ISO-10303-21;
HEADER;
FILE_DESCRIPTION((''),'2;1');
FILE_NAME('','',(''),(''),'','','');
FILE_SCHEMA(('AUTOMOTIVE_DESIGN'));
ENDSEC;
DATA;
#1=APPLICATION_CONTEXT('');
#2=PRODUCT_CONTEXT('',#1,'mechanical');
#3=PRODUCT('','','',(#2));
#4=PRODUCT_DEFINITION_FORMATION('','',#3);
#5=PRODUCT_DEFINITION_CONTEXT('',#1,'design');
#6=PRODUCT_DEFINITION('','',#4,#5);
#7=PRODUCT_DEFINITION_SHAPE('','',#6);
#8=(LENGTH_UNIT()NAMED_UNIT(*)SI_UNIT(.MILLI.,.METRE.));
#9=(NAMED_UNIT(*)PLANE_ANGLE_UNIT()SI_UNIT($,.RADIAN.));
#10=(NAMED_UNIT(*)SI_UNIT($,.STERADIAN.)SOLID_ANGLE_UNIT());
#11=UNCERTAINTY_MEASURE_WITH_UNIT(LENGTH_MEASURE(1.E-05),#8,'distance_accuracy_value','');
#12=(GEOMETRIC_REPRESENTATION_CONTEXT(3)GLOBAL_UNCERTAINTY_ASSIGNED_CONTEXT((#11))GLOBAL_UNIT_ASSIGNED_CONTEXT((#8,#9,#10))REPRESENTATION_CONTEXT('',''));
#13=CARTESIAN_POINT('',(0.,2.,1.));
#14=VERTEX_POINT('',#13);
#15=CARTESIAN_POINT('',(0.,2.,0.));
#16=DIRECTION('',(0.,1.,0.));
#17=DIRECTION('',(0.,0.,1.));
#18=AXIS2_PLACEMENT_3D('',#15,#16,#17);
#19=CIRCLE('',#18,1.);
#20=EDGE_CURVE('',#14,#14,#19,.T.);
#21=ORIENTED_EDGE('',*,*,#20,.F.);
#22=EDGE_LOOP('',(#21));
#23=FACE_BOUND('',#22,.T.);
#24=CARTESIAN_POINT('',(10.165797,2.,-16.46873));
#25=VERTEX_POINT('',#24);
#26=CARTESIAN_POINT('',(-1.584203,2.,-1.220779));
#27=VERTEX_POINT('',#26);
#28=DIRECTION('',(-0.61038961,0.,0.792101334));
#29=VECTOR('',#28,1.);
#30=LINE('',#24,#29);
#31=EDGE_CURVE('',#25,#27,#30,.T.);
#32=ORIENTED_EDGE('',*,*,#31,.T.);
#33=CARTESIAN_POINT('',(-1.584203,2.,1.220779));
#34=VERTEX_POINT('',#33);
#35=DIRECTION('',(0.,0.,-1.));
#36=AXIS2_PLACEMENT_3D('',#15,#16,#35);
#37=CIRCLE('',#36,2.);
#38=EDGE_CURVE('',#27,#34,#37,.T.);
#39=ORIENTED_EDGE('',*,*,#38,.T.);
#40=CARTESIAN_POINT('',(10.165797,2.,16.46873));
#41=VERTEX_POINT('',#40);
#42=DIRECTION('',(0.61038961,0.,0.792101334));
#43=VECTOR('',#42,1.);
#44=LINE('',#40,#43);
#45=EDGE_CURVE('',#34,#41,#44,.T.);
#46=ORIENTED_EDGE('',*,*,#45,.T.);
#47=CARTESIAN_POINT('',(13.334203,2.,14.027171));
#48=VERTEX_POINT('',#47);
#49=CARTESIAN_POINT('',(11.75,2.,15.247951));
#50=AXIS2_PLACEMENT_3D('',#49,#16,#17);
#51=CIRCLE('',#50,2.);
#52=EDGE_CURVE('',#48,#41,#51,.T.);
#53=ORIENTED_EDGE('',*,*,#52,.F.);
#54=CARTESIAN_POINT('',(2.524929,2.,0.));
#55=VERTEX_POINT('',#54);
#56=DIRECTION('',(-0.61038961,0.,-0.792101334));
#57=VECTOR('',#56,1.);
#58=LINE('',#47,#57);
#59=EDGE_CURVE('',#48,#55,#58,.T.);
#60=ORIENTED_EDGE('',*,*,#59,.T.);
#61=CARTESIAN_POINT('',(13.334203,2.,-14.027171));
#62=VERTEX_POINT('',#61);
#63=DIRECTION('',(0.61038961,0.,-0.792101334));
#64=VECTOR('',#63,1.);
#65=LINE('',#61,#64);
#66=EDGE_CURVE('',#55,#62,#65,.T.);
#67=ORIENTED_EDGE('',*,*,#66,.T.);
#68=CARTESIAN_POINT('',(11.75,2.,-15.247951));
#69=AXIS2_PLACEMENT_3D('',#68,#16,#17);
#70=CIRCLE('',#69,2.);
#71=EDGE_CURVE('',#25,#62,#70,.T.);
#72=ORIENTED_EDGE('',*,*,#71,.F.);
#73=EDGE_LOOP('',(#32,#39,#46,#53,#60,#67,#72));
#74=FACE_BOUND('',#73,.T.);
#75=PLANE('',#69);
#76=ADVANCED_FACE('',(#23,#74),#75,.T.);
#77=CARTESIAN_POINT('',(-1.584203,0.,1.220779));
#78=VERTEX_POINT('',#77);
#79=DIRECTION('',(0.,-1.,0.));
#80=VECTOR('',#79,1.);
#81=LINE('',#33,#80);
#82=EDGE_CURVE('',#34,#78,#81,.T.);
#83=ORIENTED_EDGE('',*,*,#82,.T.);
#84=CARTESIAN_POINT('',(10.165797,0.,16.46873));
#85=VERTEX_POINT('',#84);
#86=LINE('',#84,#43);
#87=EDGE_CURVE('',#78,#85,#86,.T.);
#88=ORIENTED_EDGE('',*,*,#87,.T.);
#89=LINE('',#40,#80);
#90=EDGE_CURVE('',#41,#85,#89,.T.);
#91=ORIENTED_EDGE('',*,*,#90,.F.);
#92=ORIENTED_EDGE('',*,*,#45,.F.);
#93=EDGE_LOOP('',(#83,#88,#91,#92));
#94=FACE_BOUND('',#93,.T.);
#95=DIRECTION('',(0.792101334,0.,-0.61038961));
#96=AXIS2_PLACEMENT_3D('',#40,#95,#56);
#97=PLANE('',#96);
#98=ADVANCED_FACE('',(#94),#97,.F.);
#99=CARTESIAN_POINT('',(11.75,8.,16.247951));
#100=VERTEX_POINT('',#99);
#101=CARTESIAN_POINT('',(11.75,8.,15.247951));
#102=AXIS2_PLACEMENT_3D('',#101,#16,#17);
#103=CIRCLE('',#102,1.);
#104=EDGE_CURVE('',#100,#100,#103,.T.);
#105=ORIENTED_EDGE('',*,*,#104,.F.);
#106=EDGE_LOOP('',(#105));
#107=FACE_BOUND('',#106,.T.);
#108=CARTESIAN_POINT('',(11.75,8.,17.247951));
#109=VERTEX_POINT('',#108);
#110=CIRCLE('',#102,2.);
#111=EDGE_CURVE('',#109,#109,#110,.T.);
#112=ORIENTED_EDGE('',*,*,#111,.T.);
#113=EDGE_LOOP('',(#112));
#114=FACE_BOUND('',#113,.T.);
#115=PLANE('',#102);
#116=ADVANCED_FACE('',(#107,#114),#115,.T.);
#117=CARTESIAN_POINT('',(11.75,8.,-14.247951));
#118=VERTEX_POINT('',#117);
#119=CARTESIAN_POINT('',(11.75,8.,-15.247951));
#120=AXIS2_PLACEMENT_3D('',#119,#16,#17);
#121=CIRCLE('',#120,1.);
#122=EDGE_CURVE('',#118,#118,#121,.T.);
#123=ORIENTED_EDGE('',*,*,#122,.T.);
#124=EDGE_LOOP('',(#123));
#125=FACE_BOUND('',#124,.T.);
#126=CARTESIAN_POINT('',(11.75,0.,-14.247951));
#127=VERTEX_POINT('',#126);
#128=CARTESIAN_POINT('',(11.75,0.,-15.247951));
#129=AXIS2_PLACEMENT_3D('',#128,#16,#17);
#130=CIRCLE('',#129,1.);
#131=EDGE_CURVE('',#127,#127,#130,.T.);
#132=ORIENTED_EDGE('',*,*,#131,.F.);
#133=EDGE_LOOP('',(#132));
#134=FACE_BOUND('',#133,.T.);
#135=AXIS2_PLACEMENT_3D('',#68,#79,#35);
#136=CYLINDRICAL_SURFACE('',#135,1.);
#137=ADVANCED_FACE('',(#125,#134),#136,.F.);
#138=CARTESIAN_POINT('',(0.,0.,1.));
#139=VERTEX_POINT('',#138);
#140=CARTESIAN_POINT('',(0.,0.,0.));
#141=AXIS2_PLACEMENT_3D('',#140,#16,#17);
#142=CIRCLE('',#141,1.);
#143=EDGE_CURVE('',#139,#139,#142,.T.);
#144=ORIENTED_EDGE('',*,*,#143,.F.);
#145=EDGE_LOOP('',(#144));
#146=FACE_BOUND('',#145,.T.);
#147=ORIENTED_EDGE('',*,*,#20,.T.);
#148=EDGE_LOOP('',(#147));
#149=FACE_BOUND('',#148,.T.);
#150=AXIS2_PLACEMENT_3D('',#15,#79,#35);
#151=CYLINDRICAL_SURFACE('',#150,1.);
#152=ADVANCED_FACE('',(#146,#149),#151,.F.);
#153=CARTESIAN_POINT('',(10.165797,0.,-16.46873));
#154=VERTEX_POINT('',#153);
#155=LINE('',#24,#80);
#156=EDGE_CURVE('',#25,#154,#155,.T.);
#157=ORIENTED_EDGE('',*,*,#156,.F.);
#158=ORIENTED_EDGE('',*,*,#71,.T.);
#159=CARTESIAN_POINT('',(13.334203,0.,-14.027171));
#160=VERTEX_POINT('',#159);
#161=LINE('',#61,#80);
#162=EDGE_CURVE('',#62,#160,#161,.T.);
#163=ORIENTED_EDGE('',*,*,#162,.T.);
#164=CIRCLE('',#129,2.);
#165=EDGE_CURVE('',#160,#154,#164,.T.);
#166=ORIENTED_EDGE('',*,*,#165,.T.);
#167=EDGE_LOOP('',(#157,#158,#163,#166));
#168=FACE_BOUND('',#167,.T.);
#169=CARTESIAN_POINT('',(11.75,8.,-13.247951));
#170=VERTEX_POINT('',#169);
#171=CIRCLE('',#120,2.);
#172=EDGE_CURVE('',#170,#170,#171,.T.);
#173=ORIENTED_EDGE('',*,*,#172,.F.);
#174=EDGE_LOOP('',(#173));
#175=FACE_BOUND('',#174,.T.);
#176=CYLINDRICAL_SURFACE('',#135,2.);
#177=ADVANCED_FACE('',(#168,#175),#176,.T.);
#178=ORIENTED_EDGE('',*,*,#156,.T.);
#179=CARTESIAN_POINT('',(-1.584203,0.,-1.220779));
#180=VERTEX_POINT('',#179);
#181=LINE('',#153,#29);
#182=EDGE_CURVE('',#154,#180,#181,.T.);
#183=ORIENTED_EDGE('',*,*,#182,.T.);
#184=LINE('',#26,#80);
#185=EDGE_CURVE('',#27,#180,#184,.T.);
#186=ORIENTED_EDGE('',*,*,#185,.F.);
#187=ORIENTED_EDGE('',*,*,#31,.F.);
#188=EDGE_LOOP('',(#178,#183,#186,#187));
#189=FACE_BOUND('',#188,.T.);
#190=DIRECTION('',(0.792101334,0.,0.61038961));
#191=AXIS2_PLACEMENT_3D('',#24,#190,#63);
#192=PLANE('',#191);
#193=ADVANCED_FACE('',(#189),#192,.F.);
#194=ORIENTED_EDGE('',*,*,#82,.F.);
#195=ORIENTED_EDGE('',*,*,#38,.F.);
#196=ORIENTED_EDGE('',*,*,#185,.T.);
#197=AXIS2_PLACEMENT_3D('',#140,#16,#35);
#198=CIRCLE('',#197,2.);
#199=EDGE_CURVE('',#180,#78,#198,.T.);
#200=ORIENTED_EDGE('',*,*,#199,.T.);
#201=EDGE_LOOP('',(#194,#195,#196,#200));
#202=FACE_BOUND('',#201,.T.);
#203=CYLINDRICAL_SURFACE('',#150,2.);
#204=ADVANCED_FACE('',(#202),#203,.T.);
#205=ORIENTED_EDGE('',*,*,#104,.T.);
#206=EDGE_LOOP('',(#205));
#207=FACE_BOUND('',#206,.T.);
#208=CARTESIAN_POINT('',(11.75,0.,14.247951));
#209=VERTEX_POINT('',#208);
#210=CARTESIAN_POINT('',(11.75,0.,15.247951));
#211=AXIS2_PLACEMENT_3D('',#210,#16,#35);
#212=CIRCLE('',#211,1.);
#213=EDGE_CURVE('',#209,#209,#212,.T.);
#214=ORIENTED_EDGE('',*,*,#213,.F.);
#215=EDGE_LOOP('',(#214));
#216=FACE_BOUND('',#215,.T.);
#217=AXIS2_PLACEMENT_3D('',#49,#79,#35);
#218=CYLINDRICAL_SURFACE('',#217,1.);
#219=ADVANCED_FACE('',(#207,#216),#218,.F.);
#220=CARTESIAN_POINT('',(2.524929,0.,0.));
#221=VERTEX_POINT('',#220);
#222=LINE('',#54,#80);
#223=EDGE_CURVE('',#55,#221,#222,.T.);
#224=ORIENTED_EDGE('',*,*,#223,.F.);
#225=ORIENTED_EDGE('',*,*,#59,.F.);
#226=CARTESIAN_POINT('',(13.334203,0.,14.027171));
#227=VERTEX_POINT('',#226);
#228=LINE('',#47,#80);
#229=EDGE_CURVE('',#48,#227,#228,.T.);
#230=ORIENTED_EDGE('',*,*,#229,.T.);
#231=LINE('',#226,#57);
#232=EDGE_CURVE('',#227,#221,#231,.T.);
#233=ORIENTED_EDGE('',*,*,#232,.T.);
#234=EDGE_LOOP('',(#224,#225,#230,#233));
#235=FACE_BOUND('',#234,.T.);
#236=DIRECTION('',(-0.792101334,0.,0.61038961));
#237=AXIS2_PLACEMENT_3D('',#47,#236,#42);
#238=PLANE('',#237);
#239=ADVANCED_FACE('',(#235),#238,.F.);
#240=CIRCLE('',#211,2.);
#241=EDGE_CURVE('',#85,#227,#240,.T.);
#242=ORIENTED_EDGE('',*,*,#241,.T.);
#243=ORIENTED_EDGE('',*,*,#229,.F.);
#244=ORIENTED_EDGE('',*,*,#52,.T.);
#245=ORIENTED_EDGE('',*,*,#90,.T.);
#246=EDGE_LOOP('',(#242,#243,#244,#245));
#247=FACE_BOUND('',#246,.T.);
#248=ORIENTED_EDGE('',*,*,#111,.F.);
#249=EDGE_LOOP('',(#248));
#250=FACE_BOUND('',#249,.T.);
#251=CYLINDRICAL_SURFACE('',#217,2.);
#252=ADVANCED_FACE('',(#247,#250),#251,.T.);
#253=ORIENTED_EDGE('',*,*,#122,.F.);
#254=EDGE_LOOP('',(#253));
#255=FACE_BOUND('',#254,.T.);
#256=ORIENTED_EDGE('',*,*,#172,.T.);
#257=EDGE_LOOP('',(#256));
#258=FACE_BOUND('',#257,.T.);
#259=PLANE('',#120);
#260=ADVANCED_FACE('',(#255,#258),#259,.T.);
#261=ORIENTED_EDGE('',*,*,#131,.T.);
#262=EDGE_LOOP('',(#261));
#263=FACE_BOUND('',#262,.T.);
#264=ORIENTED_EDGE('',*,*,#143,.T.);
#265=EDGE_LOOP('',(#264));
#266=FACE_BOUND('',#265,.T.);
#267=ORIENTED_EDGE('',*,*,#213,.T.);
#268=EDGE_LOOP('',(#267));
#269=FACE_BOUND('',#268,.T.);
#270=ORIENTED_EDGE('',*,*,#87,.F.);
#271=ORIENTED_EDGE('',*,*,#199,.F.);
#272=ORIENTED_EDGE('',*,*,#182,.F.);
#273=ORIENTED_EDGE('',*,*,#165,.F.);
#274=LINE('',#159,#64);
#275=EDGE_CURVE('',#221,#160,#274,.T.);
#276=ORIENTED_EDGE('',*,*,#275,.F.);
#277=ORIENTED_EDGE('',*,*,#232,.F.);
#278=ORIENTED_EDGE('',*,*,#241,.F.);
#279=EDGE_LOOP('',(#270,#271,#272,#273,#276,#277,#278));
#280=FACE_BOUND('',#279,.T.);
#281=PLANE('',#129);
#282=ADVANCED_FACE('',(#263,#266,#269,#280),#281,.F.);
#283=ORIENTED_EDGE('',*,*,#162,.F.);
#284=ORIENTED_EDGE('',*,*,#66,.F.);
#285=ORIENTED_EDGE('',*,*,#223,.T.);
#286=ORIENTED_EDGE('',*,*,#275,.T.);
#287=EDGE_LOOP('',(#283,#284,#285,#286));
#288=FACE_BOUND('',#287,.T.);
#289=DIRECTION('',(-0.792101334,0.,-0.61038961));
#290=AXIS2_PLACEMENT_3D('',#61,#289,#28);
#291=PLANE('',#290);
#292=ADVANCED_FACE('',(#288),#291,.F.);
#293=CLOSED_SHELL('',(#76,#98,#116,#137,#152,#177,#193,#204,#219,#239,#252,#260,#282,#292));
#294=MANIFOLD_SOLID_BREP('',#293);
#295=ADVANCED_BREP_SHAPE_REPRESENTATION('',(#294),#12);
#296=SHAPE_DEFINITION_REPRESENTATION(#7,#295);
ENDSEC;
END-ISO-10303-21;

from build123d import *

# Parameters (mm, degrees)
SKETCH1_R           = 1
BOSS_EXTRUDE1_DEPTH = 2
SKETCH3_R           = 2
SKETCH3_R_2         = 1
BOSS_EXTRUDE3_DEPTH = 6


with BuildPart() as part:
    # Sketch1 → Boss-Extrude1 (new body)
    with BuildSketch(Plane(origin=(0, 0, 0), x_dir=(1, 0, 0), z_dir=(0, 1, 0))):
        with BuildLine():
            Line((10.165797332, 16.468729903), (-1.584202668, 1.220779221))
            ThreePointArc((-1.584202668, 1.220779221), (-2, 0), (-1.584202668, -1.220779221))
            Line((-1.584202668, -1.220779221), (10.165797332, -16.468729903))
            ThreePointArc((10.165797332, -16.468729903), (12.970779221, -16.83215335), (13.334202668, -14.027171461))
            Line((13.334202668, -14.027171461), (2.524929468, 0))
            Line((2.524929468, 0), (13.334202668, 14.027171461))
            ThreePointArc((13.334202668, 14.027171461), (12.970779221, 16.83215335), (10.165797332, 16.468729903))
        make_face()
        with Locations(Location((0, 0, 0), (0, 0, 270))):
            Circle(SKETCH1_R, mode=Mode.SUBTRACT)
        with Locations(Location((11.75, 15.247950682, 0), (0, 0, 270))):
            Circle(SKETCH1_R, mode=Mode.SUBTRACT)
        with Locations(Location((11.75, -15.247950682, 0), (0, 0, 90))):
            Circle(SKETCH1_R, mode=Mode.SUBTRACT)
    extrude(amount=BOSS_EXTRUDE1_DEPTH)

    # Sketch3 → Boss-Extrude3 (add)
    # profile 1 of 2: a face of its own
    with BuildSketch(Plane(origin=(0, 2, 0), x_dir=(1, 0, 0), z_dir=(0, 1, 0))):
        with Locations(Location((11.75, 15.247950682, 0), (0, 0, 142.382320334))):
            Circle(SKETCH3_R)
        with Locations(Location((11.75, 15.247950682, 0), (0, 0, 270))):
            Circle(SKETCH3_R_2, mode=Mode.SUBTRACT)
    # profile 2 of 2: a face of its own
    with BuildSketch(Plane(origin=(0, 2, 0), x_dir=(1, 0, 0), z_dir=(0, 1, 0))):
        with Locations(Location((11.75, -15.247950682, 0), (0, 0, 37.617679666))):
            Circle(SKETCH3_R)
        with Locations(Location((11.75, -15.247950682, 0), (0, 0, 90))):
            Circle(SKETCH3_R_2, mode=Mode.SUBTRACT)
    extrude(amount=BOSS_EXTRUDE3_DEPTH)


solid = part.part
